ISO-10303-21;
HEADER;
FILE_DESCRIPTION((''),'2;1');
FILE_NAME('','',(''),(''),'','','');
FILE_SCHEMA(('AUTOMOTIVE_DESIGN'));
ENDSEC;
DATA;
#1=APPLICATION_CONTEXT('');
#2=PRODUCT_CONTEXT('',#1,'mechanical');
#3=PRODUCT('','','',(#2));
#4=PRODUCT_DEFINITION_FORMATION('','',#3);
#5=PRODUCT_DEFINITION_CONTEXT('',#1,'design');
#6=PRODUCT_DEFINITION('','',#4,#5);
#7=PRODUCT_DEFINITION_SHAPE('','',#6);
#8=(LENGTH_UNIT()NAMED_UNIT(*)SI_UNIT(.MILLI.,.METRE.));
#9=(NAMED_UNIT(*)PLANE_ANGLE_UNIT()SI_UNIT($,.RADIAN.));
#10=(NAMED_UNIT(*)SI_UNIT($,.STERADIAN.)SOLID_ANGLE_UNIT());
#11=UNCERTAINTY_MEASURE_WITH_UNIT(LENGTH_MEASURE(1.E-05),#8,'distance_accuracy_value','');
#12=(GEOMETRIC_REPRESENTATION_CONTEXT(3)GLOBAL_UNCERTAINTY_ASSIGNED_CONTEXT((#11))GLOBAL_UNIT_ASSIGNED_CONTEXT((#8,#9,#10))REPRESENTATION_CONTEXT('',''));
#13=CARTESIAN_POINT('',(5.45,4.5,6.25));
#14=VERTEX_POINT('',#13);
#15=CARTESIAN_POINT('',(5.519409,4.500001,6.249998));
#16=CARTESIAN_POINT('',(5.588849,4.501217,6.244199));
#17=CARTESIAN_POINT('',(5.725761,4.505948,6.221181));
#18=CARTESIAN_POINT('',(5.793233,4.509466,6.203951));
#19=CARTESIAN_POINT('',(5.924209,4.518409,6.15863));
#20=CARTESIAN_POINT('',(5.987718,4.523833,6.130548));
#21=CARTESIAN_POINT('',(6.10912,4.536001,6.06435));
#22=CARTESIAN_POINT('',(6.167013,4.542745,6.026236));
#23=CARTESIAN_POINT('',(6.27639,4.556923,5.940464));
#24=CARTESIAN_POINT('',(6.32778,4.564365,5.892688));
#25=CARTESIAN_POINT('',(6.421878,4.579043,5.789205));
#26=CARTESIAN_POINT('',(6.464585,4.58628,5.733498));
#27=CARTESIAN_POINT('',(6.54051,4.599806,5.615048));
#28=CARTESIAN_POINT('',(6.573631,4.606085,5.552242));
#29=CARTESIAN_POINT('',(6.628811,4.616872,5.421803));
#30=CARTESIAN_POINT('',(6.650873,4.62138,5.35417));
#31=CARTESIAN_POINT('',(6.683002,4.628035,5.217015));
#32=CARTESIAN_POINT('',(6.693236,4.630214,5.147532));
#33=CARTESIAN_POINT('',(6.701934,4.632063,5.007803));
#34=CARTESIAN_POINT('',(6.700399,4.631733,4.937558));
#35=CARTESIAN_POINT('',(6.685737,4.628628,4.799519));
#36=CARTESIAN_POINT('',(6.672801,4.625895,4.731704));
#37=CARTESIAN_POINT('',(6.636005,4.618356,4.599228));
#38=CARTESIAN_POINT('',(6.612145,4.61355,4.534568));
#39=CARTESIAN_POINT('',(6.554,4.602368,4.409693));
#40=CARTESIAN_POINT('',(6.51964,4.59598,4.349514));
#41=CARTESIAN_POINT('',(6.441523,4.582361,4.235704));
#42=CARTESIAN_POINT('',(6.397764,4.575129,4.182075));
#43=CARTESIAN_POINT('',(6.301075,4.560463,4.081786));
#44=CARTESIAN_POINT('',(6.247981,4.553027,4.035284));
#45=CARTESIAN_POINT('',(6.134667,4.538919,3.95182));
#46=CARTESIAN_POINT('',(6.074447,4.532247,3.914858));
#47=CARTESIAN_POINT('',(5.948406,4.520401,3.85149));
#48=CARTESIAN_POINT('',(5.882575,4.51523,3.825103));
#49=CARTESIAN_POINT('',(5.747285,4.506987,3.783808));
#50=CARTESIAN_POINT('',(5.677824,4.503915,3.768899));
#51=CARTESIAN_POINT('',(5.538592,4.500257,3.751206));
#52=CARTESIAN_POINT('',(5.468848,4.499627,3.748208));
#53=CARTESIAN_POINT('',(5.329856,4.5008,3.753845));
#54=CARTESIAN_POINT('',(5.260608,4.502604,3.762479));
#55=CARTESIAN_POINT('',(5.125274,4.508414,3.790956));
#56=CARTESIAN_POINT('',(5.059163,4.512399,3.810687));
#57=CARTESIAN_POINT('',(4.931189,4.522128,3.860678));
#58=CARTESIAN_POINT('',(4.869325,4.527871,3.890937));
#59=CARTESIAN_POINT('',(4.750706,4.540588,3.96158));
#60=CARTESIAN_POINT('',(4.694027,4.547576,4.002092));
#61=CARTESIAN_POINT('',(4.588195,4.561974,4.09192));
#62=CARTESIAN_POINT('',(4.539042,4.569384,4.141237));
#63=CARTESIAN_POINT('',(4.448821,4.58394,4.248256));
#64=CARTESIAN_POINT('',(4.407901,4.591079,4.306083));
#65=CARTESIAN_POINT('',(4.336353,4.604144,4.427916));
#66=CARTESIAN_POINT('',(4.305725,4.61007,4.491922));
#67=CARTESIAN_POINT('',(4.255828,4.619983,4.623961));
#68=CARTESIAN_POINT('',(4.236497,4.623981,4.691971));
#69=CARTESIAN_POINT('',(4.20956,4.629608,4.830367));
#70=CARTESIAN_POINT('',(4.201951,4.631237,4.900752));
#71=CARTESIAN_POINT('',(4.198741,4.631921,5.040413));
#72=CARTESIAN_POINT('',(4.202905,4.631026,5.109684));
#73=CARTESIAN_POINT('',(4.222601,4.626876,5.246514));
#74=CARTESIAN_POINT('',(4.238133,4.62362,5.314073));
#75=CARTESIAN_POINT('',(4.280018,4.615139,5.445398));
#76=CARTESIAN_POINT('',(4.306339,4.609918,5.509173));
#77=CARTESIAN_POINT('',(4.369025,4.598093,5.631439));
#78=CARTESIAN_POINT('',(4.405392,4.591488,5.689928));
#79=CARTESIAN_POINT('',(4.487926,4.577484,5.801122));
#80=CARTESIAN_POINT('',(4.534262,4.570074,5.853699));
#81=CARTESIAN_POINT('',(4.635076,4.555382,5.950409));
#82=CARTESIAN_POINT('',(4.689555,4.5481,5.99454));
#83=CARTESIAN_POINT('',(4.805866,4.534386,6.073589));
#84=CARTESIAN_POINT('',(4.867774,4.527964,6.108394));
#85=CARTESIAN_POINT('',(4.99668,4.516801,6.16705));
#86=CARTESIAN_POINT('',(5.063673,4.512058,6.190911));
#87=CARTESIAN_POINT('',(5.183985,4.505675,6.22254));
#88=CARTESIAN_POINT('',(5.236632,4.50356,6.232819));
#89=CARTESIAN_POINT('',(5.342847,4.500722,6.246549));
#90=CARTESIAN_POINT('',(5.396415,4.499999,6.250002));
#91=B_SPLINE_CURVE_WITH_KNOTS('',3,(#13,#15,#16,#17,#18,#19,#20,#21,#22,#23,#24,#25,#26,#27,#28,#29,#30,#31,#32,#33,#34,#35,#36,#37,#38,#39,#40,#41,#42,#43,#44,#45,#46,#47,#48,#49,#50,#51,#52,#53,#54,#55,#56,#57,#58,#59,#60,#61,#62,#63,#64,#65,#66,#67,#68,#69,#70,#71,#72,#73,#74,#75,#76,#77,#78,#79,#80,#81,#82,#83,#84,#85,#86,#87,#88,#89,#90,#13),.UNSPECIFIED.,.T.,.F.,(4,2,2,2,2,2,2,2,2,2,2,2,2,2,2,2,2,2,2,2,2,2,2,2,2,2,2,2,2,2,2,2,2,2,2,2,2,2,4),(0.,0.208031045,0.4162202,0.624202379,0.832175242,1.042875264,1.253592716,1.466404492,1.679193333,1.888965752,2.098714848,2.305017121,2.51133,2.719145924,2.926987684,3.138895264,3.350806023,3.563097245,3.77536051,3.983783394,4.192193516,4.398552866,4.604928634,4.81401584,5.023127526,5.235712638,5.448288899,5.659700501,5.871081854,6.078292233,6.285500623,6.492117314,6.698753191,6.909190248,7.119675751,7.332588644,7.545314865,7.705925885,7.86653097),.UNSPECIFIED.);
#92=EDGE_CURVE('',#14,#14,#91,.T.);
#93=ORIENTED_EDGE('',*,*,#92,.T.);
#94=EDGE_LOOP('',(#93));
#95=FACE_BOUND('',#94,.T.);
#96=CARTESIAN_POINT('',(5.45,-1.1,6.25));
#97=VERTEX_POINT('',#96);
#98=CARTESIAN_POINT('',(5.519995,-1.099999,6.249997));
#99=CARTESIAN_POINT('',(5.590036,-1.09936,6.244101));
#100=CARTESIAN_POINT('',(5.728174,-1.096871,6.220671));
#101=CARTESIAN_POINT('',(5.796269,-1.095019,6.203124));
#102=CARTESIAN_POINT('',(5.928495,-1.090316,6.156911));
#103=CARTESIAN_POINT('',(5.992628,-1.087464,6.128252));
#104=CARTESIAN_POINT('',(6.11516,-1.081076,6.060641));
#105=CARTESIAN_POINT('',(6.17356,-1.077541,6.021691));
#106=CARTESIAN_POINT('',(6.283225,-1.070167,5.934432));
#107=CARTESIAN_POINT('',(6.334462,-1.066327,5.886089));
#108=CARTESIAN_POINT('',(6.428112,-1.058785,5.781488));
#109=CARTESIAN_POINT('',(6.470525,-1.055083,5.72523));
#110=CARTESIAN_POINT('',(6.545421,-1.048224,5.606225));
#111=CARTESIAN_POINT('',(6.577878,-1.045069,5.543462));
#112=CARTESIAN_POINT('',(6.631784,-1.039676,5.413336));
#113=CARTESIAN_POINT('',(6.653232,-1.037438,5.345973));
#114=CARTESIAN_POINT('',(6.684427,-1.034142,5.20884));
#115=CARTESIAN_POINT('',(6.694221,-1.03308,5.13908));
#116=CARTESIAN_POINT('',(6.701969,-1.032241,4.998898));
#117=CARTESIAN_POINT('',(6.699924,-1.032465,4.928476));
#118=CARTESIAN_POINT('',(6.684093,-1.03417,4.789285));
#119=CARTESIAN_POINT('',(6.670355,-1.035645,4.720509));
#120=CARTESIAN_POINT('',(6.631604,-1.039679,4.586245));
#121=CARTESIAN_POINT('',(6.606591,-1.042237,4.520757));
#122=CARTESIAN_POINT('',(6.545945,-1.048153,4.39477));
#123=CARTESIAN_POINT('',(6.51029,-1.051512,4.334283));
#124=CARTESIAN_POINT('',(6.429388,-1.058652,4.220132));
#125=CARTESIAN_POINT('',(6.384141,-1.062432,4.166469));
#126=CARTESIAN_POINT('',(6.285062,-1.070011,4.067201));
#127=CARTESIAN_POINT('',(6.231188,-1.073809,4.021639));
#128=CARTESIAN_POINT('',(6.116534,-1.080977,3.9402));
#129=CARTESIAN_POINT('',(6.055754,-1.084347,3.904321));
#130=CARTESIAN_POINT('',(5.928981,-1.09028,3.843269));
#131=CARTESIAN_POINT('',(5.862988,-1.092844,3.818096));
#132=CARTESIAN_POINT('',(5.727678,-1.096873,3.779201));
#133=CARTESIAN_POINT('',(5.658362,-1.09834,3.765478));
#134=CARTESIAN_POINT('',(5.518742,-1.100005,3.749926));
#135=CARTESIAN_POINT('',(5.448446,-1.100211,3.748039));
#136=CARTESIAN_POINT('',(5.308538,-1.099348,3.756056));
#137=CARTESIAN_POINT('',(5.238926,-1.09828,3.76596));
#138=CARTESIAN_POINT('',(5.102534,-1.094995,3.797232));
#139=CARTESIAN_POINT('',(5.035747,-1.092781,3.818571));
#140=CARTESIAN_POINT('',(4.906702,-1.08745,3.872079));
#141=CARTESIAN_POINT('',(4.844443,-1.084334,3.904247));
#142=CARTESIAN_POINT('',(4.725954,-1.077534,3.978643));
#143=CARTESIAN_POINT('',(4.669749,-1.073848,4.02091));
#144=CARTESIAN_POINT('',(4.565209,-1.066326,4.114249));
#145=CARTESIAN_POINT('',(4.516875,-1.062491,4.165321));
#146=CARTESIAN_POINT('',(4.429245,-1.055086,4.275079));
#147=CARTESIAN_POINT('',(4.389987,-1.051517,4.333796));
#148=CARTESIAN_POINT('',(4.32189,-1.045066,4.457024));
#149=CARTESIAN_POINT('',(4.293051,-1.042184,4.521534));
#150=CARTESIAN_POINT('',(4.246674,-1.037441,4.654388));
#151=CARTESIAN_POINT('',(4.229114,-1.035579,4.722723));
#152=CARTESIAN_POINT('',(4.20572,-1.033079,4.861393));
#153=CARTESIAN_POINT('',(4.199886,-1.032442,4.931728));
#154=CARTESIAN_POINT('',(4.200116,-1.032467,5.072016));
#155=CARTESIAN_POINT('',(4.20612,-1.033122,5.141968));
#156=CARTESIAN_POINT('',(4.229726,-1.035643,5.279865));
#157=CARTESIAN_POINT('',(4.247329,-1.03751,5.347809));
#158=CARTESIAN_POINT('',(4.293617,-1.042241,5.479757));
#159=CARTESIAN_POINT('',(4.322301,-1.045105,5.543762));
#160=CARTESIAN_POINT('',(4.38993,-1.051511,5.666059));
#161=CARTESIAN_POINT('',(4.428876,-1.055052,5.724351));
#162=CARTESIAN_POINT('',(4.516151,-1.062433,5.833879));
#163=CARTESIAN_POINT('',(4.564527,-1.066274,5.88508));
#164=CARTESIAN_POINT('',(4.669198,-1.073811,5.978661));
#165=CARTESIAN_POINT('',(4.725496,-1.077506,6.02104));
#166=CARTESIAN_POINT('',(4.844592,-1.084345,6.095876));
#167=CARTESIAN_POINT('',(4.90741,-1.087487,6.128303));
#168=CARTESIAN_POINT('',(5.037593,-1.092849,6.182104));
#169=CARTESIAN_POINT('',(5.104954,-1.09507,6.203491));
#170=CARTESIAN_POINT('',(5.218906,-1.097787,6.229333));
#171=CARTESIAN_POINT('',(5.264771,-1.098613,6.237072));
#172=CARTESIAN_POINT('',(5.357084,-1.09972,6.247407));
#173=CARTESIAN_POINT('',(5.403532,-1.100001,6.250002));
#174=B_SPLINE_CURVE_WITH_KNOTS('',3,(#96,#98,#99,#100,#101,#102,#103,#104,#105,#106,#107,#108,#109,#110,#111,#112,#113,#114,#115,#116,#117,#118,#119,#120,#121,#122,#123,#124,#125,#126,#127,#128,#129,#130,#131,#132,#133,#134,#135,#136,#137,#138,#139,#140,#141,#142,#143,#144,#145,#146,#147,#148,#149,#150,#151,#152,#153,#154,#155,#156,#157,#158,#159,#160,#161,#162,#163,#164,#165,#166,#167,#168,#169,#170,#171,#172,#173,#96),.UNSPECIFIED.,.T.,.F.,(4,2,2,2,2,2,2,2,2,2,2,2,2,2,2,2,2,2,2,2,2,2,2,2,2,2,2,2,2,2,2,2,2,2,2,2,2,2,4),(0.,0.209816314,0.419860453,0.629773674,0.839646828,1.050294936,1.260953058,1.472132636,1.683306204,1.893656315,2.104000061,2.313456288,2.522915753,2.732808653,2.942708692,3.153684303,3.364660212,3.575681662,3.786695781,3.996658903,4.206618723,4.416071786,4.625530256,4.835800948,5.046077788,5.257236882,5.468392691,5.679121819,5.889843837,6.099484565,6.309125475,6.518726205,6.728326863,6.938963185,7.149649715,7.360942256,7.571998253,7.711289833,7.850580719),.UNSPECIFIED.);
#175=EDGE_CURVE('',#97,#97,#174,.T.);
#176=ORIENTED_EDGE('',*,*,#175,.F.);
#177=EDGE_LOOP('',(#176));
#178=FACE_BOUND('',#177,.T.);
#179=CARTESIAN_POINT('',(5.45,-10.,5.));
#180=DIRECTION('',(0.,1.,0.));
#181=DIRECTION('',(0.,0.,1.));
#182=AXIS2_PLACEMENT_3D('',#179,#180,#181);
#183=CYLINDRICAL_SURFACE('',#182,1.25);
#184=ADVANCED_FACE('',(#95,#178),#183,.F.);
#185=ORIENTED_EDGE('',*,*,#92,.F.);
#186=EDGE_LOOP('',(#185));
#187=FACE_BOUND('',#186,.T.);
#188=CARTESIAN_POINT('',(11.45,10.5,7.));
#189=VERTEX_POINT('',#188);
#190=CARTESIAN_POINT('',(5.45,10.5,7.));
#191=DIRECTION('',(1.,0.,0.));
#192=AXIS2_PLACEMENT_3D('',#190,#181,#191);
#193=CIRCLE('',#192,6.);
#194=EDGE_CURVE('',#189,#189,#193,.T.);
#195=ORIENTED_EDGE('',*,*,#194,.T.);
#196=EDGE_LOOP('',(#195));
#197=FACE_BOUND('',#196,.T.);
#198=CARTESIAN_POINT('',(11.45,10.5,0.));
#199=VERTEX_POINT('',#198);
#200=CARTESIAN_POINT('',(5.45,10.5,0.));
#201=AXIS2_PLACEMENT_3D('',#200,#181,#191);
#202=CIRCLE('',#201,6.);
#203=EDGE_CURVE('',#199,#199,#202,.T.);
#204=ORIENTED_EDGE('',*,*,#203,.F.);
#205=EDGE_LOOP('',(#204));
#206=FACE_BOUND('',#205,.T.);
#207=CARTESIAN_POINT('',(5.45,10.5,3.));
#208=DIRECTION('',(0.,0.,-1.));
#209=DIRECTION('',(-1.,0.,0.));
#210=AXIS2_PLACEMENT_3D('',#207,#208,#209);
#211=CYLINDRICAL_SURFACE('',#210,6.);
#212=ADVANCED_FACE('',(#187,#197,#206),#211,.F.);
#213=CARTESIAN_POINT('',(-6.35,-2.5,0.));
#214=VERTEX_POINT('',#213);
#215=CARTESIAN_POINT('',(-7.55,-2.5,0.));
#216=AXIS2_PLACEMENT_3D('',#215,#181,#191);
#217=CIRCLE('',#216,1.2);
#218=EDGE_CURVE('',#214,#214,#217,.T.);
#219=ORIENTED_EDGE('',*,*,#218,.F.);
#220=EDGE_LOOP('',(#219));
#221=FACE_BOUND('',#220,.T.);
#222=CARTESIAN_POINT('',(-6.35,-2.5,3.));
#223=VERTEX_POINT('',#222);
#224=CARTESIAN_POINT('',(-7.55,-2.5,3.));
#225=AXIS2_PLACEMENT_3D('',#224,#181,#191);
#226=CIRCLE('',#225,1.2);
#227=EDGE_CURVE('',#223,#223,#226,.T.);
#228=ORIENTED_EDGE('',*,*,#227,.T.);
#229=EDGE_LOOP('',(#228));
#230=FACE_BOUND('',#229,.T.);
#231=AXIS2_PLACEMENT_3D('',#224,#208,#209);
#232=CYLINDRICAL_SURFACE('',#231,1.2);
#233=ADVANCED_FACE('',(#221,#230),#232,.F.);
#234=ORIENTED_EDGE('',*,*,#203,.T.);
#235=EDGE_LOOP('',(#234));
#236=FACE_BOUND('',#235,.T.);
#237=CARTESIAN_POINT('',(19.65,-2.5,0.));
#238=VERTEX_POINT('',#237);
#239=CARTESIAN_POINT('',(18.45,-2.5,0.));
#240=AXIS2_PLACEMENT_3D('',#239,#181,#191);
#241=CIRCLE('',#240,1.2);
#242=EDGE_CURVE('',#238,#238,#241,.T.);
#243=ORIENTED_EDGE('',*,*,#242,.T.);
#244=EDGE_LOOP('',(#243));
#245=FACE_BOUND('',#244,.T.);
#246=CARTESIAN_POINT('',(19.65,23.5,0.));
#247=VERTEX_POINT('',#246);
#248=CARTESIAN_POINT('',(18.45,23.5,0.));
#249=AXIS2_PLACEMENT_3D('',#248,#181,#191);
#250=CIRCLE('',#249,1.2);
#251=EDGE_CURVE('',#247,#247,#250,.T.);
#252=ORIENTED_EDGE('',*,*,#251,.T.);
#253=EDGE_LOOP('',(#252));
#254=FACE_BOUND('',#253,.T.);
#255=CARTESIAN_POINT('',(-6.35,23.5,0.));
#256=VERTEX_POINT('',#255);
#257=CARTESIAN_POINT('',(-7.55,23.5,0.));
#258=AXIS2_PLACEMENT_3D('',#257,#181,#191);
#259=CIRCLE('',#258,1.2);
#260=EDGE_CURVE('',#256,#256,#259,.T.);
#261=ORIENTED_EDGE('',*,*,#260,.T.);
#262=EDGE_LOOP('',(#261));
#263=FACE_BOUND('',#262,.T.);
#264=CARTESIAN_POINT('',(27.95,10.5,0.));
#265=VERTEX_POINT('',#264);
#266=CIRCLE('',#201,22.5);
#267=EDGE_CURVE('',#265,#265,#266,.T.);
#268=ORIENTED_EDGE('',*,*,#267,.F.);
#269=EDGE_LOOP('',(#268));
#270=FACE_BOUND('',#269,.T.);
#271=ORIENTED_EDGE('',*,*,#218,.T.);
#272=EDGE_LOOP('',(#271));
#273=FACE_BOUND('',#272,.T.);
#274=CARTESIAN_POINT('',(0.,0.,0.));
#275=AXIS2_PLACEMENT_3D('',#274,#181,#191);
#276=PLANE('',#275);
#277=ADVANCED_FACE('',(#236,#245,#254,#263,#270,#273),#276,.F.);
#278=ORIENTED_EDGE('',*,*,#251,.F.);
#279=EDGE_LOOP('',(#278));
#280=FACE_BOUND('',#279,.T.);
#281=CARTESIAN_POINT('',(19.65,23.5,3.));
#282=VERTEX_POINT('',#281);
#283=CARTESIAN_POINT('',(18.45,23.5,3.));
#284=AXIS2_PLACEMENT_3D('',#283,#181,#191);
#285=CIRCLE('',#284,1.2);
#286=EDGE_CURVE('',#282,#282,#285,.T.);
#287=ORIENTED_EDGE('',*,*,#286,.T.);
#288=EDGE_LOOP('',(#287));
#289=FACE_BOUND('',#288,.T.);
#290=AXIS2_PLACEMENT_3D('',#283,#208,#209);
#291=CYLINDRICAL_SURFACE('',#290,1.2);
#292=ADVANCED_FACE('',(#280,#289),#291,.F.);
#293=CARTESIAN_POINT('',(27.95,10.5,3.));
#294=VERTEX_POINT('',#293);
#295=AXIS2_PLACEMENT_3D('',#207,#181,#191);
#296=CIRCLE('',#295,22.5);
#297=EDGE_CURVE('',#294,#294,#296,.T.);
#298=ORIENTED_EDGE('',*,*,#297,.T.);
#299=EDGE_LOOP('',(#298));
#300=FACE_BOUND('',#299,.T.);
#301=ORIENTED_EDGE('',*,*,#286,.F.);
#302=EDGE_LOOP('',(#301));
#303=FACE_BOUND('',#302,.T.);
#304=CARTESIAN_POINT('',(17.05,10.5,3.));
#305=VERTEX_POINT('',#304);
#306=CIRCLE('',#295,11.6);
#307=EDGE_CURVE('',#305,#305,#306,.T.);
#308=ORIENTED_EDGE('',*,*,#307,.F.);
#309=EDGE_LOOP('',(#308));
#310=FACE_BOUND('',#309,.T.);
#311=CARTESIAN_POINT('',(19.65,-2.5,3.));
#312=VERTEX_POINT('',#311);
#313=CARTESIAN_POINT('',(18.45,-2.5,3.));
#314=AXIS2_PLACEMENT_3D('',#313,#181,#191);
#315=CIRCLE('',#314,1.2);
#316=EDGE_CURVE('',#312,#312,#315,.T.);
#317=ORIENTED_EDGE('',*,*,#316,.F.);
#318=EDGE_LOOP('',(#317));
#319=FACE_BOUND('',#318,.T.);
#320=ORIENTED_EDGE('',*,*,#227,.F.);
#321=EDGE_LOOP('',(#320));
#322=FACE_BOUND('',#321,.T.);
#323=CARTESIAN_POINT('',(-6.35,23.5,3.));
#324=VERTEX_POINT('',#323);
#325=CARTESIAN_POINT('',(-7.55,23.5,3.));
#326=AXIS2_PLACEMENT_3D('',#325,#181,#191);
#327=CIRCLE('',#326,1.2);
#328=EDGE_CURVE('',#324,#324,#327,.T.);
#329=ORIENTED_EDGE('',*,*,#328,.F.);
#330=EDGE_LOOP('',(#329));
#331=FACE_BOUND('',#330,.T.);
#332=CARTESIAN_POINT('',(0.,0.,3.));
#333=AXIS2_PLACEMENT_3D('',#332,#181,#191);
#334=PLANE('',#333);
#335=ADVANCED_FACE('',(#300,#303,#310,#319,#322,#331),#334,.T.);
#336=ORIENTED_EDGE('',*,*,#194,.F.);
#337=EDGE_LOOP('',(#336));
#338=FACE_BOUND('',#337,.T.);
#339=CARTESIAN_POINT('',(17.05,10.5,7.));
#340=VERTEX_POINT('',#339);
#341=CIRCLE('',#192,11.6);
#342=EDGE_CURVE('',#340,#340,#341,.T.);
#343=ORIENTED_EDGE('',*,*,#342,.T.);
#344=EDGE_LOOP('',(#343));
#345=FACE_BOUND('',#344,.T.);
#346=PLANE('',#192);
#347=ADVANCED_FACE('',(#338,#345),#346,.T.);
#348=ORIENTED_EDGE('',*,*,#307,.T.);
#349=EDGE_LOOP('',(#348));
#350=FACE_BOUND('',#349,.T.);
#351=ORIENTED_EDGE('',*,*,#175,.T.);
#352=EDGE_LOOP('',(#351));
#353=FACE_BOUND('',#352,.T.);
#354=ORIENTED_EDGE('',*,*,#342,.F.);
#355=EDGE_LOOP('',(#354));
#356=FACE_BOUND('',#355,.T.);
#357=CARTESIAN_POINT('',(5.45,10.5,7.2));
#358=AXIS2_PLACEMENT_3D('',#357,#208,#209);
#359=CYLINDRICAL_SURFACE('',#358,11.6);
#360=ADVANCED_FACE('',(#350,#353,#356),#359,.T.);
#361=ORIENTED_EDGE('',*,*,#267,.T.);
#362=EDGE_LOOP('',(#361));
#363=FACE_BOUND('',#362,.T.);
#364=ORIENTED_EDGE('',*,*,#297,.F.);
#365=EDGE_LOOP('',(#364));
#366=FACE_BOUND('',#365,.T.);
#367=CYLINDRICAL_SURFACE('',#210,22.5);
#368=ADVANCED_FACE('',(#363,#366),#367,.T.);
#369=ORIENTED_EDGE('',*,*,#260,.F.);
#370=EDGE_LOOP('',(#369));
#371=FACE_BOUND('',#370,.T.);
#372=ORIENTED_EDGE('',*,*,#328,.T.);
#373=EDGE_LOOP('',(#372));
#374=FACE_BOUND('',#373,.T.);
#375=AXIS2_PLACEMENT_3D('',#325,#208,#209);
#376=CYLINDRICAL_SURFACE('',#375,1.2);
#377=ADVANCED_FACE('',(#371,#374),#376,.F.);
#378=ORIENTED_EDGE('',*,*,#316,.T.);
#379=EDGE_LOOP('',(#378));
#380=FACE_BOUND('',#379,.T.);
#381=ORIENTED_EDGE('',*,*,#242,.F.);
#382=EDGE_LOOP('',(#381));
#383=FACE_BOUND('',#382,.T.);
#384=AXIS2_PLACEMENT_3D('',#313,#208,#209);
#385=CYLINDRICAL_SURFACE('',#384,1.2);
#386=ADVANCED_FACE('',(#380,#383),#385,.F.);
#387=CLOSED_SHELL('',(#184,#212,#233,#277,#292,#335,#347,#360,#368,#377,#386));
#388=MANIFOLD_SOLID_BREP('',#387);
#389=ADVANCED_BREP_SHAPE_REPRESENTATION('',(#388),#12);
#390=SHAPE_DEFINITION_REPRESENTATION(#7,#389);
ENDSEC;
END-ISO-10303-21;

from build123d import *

# Parameters (mm, degrees)
SKETCH_1_R               = 22.5
SKETCH_1_R_2             = 6
SKETCH_1_R_3             = 1.2
EXTRUDE_1_DEPTH          = 3
SKETCH_3_R               = 11.6
SKETCH_3_R_2             = 7.6
EXTRUDE_2_DEPTH          = 4.2
CUT_EXTRUDE_START        = -0.2
SKETCH_4_R               = 11.6
CUT_EXTRUDE_1_DEPTH      = 0.2
SKETCH_5_R               = 7.6
SKETCH_5_R_2             = 6
EXTRUDE_3_DEPTH          = 4
CUT_EXTRUDE_2_DEPTH      = 10
CUT_EXTRUDE_2_DEPTH_BACK = 10


with BuildPart() as part:
    # 草图1 → 凸台-拉伸1 (new body)
    with BuildSketch(Plane.XY):
        with Locations((5.45, 10.5)):
            Circle(SKETCH_1_R)
        with Locations((5.45, 10.5)):
            Circle(SKETCH_1_R_2, mode=Mode.SUBTRACT)
        with Locations((-7.55, -2.5)):
            Circle(SKETCH_1_R_3, mode=Mode.SUBTRACT)
        with Locations((-7.55, 23.5)):
            Circle(SKETCH_1_R_3, mode=Mode.SUBTRACT)
        with Locations((18.45, 23.5)):
            Circle(SKETCH_1_R_3, mode=Mode.SUBTRACT)
        with Locations((18.45, -2.5)):
            Circle(SKETCH_1_R_3, mode=Mode.SUBTRACT)
    extrude(amount=EXTRUDE_1_DEPTH)

    # 草图3 → 凸台-拉伸2 (add)
    with BuildSketch(Plane.XY.offset(3)):
        with Locations((5.45, 10.5)):
            Circle(SKETCH_3_R)
        with Locations((5.45, 10.5)):
            Circle(SKETCH_3_R_2, mode=Mode.SUBTRACT)
    extrude(amount=EXTRUDE_2_DEPTH)

    # 草图4 → 切除-拉伸1 (cut)
    with BuildSketch(Plane.XY.offset(7.2).offset(CUT_EXTRUDE_START)):
        with Locations((5.45, 10.5)):
            Circle(SKETCH_4_R)
    extrude(amount=CUT_EXTRUDE_1_DEPTH, mode=Mode.SUBTRACT)

    # 草图5 → 凸台-拉伸3 (add)
    with BuildSketch(Plane.XY.offset(3)):
        with Locations((5.45, 10.5)):
            Circle(SKETCH_5_R)
        with Locations((5.45, 10.5)):
            Circle(SKETCH_5_R_2, mode=Mode.SUBTRACT)
    extrude(amount=EXTRUDE_3_DEPTH)

    # 草图6 → 切除-拉伸2 (cut, two sides: drawn at the far end of the back side and taken through both)
    with BuildSketch(Plane(origin=(0, 0, 0), x_dir=(1, 0, 0), z_dir=(0, 1, 0)).offset(-CUT_EXTRUDE_2_DEPTH_BACK)):
        with BuildLine():
            ThreePointArc((6.7, -5), (5.556579945, -3.754552002), (4.218174855, -4.787616354))
            Line((4.218174855, -4.787616354), (6.681825145, -5.212383646))
            ThreePointArc((6.681825145, -5.212383646), (6.695447998, -5.106579945), (6.7, -5))
        make_face()
        with BuildLine():
            Line((6.681825145, -5.212383646), (4.218174855, -4.787616354))
            ThreePointArc((4.218174855, -4.787616354), (5.237616354, -6.231825145), (6.681825145, -5.212383646))
        make_face()
    extrude(amount=CUT_EXTRUDE_2_DEPTH + CUT_EXTRUDE_2_DEPTH_BACK, mode=Mode.SUBTRACT)


solid = part.part
